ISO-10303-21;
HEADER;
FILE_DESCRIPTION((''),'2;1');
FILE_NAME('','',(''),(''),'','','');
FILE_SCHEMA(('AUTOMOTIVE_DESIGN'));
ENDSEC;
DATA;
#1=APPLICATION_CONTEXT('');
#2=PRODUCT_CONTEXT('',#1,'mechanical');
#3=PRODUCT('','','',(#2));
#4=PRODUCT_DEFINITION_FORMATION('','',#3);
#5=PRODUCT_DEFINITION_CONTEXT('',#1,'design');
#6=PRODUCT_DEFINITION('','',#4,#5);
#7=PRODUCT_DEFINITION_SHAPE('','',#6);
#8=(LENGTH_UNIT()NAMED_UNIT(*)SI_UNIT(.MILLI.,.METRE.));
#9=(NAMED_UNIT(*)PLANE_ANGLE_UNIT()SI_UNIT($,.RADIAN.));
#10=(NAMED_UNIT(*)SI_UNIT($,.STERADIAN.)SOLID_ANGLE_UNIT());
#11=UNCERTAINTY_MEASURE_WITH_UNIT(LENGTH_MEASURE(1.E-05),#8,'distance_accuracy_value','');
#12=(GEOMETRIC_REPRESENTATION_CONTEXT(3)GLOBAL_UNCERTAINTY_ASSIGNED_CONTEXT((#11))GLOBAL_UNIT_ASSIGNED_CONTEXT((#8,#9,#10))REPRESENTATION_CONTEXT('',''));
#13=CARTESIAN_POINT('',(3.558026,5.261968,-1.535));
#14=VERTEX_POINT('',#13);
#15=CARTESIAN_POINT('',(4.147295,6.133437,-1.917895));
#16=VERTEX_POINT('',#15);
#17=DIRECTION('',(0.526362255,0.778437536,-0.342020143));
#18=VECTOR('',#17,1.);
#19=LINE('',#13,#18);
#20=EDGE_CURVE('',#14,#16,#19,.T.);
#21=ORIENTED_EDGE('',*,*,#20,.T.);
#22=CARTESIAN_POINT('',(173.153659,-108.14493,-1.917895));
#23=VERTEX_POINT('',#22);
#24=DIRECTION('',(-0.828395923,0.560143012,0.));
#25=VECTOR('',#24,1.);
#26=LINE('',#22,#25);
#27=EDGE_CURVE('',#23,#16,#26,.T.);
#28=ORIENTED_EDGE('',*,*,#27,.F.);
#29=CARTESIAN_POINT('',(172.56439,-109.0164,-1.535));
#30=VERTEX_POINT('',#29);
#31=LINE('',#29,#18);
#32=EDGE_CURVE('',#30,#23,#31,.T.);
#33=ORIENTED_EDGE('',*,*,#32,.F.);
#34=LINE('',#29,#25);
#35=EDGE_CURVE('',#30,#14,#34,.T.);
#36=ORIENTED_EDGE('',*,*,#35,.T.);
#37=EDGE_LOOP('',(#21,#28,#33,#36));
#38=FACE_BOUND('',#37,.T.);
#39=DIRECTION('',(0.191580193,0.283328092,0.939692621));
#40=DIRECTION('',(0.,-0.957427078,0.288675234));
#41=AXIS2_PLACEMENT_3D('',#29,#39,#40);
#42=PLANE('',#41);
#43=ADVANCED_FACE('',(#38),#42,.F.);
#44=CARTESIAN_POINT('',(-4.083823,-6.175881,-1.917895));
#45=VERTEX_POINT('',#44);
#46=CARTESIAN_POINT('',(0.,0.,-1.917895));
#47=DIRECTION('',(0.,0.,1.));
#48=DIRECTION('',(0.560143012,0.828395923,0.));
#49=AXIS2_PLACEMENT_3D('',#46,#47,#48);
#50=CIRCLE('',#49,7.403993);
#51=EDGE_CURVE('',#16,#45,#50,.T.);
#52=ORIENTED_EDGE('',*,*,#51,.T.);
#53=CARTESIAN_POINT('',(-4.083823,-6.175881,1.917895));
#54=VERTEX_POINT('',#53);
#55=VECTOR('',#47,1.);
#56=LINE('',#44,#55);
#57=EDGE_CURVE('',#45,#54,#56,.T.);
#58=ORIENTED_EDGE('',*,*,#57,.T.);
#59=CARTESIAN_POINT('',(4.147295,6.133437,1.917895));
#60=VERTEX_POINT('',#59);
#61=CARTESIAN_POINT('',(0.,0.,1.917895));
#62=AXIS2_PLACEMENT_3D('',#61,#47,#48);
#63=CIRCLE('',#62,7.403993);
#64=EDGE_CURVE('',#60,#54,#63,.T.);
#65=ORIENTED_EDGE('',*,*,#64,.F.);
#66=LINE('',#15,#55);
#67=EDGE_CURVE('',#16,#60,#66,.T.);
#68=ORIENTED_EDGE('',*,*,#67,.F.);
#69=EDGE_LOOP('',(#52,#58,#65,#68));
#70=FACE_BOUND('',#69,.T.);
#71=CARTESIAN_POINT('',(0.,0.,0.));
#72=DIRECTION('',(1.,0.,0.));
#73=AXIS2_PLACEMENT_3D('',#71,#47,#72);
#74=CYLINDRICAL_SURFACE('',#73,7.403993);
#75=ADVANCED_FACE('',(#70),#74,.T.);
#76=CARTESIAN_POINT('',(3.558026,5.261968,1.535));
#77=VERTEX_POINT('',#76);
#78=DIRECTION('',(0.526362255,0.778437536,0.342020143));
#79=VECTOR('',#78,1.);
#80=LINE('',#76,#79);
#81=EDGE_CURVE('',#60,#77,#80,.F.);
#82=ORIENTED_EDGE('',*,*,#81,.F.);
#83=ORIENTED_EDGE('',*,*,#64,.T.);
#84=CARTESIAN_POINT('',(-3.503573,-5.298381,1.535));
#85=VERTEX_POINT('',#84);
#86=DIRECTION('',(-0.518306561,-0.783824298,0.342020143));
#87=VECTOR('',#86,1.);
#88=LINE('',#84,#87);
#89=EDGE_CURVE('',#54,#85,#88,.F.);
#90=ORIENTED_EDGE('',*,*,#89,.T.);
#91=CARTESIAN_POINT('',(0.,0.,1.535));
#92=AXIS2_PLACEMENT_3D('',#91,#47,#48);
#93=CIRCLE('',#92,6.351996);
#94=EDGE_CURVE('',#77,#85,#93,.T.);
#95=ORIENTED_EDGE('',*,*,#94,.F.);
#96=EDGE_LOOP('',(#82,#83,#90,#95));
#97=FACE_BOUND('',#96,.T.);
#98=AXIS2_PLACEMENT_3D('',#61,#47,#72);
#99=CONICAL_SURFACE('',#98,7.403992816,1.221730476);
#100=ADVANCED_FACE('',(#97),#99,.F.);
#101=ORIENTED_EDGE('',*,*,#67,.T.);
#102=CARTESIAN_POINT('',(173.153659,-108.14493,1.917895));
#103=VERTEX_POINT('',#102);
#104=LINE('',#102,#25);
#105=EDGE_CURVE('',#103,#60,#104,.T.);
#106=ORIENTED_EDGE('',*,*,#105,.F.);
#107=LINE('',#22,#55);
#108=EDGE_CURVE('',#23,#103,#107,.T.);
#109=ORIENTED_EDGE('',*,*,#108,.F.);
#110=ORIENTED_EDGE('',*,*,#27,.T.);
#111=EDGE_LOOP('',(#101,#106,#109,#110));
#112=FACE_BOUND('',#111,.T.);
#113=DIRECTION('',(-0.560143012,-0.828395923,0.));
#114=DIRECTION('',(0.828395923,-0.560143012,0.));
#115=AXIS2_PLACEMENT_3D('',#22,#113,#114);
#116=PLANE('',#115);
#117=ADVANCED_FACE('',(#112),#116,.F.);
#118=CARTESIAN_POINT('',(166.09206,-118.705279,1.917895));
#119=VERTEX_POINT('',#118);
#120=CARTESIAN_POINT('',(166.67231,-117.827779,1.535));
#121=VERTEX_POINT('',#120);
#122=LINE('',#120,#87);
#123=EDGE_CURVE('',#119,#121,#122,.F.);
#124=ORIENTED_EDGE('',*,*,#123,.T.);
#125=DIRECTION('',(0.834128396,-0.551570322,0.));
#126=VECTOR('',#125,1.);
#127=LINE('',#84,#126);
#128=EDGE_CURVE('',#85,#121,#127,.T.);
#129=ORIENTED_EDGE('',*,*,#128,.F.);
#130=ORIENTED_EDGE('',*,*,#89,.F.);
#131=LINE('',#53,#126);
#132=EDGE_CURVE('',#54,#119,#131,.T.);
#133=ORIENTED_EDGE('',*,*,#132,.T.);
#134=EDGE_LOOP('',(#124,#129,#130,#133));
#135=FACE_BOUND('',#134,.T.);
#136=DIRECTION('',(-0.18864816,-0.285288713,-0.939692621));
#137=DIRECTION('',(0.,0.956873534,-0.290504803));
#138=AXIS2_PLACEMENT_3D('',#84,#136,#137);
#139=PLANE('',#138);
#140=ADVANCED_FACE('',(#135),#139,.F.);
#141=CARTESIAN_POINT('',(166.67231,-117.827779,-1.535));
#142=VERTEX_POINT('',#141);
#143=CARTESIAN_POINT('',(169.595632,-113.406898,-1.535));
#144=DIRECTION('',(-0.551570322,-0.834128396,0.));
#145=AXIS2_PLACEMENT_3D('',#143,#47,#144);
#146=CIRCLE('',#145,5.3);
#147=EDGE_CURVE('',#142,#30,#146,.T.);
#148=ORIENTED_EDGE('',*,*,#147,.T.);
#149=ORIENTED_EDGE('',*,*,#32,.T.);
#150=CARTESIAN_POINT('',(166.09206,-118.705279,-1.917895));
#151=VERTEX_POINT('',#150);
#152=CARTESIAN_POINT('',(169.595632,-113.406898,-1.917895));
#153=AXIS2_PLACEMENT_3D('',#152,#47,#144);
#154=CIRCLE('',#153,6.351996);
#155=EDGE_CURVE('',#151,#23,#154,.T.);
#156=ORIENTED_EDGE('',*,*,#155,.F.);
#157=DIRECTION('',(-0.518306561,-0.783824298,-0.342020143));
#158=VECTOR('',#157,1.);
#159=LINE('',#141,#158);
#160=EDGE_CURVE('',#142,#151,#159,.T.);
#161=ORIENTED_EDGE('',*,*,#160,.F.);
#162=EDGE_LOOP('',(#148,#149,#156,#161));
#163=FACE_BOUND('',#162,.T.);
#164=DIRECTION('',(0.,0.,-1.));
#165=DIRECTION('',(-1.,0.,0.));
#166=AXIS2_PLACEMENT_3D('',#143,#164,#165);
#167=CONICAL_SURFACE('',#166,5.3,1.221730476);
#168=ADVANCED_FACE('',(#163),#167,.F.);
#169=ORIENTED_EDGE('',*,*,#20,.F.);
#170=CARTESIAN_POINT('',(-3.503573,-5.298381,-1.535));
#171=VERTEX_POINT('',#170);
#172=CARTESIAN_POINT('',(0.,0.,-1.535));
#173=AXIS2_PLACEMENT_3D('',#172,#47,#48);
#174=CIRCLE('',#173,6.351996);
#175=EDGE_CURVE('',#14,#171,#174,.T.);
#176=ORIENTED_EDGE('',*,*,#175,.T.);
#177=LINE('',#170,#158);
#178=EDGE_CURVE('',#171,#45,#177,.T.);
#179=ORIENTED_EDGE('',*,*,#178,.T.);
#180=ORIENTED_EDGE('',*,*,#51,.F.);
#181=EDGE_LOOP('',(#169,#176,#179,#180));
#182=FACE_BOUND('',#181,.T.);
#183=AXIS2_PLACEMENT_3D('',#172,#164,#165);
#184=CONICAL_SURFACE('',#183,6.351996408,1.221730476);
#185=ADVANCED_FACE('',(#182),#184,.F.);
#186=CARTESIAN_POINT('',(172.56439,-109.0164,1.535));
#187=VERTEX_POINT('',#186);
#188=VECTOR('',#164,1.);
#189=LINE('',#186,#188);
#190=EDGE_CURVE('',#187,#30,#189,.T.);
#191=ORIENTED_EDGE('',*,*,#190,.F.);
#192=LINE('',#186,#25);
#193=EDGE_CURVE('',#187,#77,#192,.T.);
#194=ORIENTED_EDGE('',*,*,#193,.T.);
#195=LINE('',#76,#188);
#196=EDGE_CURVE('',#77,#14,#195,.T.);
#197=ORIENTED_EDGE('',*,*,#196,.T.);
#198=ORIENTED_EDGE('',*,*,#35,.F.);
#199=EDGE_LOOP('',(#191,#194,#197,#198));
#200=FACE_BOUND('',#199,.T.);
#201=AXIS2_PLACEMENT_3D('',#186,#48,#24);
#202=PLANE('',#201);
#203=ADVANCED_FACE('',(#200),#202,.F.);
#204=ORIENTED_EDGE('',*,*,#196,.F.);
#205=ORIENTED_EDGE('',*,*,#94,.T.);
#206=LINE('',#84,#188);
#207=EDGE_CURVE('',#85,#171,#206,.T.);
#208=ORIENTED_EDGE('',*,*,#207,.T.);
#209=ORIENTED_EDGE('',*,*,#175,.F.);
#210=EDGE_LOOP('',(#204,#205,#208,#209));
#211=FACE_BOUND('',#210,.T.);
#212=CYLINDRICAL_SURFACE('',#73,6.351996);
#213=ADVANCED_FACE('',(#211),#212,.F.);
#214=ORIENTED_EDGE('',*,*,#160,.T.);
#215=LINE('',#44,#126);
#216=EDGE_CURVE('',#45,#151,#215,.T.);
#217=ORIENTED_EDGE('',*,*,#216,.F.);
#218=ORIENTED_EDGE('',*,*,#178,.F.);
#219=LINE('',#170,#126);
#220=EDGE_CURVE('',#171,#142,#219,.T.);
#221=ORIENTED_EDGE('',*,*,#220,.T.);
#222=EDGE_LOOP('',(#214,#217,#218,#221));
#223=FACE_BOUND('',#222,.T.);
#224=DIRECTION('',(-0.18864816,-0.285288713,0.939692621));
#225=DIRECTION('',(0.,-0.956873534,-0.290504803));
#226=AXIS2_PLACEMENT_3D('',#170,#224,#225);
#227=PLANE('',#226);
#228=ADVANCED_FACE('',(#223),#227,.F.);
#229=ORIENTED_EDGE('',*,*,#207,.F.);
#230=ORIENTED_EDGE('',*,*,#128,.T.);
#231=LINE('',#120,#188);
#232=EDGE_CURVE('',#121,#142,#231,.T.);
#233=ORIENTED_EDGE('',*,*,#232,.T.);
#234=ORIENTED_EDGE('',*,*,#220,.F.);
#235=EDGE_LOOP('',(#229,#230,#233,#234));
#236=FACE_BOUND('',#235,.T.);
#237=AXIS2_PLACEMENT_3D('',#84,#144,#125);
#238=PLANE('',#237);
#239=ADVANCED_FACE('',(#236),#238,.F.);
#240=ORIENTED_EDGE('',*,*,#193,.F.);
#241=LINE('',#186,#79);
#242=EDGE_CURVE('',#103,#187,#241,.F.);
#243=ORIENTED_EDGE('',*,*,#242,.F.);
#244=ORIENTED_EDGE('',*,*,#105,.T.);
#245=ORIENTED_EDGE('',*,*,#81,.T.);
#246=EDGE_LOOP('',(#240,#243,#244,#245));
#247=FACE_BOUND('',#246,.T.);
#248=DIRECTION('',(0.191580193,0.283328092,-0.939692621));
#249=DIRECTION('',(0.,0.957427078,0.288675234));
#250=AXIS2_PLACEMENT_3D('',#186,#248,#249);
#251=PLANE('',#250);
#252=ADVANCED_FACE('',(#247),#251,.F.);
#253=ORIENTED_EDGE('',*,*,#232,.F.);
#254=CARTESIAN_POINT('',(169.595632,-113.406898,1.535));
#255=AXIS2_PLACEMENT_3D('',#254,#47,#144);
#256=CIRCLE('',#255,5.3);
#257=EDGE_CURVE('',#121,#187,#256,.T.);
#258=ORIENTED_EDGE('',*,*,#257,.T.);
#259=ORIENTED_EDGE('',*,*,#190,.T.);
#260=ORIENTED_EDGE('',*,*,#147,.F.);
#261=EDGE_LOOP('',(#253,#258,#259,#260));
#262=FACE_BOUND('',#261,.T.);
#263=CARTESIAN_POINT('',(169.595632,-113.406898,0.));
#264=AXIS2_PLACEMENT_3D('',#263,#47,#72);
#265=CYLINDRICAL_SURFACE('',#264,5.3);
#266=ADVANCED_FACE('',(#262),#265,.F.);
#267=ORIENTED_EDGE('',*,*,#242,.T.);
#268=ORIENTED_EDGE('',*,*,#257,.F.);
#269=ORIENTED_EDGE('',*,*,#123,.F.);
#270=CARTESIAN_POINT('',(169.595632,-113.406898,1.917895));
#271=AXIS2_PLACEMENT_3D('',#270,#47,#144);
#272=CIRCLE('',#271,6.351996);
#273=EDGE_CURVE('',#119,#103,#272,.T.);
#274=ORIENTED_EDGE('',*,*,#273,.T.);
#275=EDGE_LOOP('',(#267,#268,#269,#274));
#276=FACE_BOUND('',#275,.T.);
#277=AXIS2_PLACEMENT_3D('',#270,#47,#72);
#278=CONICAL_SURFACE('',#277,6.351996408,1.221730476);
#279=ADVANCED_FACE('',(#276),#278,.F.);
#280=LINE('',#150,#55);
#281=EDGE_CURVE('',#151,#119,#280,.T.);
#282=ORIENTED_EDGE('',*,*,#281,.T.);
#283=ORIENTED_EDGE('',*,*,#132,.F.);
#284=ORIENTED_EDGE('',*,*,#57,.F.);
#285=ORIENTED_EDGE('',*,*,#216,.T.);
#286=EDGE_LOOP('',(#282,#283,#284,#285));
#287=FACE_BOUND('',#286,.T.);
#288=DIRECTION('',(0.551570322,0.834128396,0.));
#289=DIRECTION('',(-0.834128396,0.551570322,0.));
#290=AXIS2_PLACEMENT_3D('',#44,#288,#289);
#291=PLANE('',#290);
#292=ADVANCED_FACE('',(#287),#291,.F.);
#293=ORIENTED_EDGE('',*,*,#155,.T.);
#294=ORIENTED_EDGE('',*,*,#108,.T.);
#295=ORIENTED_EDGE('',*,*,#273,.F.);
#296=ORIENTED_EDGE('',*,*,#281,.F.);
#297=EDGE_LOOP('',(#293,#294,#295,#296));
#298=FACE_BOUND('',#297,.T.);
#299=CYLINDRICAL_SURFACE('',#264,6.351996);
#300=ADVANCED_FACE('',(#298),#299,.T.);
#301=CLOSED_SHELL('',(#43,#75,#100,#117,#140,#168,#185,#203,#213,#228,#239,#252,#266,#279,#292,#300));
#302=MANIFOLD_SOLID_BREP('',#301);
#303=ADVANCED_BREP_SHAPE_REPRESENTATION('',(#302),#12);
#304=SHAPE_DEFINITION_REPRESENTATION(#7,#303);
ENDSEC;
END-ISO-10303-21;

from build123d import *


with BuildPart() as part:
    # 扫描2: sweep along a path in 草图2
    with BuildLine(Plane.XY) as sweep_2_path:
        Line((166.672309704, -117.827778519), (-3.503572701, -5.298380573))
        ThreePointArc((-3.503572701, -5.298380573), (-5.280244447, 3.530846491), (3.558026402, 5.261967929))
        Line((3.558026402, 5.261967929), (172.564390373, -109.016399628))
        ThreePointArc((172.564390373, -109.016399628), (174.001380423, -116.352977522), (166.672309704, -117.827778519))
    # 草图4 → 扫描2 (sweep)
    with BuildSketch(Plane(origin=(172.564390373, -109.016399628, 0), x_dir=(0, 0, -1), z_dir=(0.8283959233301038, -0.5601430122835281, 0))):
        Polygon((-1.535, 0), (1.535, 0), (1.917895379, 1.051996408), (-1.917895379, 1.051996408), align=None)
    sweep(path=sweep_2_path.line)


solid = part.part
